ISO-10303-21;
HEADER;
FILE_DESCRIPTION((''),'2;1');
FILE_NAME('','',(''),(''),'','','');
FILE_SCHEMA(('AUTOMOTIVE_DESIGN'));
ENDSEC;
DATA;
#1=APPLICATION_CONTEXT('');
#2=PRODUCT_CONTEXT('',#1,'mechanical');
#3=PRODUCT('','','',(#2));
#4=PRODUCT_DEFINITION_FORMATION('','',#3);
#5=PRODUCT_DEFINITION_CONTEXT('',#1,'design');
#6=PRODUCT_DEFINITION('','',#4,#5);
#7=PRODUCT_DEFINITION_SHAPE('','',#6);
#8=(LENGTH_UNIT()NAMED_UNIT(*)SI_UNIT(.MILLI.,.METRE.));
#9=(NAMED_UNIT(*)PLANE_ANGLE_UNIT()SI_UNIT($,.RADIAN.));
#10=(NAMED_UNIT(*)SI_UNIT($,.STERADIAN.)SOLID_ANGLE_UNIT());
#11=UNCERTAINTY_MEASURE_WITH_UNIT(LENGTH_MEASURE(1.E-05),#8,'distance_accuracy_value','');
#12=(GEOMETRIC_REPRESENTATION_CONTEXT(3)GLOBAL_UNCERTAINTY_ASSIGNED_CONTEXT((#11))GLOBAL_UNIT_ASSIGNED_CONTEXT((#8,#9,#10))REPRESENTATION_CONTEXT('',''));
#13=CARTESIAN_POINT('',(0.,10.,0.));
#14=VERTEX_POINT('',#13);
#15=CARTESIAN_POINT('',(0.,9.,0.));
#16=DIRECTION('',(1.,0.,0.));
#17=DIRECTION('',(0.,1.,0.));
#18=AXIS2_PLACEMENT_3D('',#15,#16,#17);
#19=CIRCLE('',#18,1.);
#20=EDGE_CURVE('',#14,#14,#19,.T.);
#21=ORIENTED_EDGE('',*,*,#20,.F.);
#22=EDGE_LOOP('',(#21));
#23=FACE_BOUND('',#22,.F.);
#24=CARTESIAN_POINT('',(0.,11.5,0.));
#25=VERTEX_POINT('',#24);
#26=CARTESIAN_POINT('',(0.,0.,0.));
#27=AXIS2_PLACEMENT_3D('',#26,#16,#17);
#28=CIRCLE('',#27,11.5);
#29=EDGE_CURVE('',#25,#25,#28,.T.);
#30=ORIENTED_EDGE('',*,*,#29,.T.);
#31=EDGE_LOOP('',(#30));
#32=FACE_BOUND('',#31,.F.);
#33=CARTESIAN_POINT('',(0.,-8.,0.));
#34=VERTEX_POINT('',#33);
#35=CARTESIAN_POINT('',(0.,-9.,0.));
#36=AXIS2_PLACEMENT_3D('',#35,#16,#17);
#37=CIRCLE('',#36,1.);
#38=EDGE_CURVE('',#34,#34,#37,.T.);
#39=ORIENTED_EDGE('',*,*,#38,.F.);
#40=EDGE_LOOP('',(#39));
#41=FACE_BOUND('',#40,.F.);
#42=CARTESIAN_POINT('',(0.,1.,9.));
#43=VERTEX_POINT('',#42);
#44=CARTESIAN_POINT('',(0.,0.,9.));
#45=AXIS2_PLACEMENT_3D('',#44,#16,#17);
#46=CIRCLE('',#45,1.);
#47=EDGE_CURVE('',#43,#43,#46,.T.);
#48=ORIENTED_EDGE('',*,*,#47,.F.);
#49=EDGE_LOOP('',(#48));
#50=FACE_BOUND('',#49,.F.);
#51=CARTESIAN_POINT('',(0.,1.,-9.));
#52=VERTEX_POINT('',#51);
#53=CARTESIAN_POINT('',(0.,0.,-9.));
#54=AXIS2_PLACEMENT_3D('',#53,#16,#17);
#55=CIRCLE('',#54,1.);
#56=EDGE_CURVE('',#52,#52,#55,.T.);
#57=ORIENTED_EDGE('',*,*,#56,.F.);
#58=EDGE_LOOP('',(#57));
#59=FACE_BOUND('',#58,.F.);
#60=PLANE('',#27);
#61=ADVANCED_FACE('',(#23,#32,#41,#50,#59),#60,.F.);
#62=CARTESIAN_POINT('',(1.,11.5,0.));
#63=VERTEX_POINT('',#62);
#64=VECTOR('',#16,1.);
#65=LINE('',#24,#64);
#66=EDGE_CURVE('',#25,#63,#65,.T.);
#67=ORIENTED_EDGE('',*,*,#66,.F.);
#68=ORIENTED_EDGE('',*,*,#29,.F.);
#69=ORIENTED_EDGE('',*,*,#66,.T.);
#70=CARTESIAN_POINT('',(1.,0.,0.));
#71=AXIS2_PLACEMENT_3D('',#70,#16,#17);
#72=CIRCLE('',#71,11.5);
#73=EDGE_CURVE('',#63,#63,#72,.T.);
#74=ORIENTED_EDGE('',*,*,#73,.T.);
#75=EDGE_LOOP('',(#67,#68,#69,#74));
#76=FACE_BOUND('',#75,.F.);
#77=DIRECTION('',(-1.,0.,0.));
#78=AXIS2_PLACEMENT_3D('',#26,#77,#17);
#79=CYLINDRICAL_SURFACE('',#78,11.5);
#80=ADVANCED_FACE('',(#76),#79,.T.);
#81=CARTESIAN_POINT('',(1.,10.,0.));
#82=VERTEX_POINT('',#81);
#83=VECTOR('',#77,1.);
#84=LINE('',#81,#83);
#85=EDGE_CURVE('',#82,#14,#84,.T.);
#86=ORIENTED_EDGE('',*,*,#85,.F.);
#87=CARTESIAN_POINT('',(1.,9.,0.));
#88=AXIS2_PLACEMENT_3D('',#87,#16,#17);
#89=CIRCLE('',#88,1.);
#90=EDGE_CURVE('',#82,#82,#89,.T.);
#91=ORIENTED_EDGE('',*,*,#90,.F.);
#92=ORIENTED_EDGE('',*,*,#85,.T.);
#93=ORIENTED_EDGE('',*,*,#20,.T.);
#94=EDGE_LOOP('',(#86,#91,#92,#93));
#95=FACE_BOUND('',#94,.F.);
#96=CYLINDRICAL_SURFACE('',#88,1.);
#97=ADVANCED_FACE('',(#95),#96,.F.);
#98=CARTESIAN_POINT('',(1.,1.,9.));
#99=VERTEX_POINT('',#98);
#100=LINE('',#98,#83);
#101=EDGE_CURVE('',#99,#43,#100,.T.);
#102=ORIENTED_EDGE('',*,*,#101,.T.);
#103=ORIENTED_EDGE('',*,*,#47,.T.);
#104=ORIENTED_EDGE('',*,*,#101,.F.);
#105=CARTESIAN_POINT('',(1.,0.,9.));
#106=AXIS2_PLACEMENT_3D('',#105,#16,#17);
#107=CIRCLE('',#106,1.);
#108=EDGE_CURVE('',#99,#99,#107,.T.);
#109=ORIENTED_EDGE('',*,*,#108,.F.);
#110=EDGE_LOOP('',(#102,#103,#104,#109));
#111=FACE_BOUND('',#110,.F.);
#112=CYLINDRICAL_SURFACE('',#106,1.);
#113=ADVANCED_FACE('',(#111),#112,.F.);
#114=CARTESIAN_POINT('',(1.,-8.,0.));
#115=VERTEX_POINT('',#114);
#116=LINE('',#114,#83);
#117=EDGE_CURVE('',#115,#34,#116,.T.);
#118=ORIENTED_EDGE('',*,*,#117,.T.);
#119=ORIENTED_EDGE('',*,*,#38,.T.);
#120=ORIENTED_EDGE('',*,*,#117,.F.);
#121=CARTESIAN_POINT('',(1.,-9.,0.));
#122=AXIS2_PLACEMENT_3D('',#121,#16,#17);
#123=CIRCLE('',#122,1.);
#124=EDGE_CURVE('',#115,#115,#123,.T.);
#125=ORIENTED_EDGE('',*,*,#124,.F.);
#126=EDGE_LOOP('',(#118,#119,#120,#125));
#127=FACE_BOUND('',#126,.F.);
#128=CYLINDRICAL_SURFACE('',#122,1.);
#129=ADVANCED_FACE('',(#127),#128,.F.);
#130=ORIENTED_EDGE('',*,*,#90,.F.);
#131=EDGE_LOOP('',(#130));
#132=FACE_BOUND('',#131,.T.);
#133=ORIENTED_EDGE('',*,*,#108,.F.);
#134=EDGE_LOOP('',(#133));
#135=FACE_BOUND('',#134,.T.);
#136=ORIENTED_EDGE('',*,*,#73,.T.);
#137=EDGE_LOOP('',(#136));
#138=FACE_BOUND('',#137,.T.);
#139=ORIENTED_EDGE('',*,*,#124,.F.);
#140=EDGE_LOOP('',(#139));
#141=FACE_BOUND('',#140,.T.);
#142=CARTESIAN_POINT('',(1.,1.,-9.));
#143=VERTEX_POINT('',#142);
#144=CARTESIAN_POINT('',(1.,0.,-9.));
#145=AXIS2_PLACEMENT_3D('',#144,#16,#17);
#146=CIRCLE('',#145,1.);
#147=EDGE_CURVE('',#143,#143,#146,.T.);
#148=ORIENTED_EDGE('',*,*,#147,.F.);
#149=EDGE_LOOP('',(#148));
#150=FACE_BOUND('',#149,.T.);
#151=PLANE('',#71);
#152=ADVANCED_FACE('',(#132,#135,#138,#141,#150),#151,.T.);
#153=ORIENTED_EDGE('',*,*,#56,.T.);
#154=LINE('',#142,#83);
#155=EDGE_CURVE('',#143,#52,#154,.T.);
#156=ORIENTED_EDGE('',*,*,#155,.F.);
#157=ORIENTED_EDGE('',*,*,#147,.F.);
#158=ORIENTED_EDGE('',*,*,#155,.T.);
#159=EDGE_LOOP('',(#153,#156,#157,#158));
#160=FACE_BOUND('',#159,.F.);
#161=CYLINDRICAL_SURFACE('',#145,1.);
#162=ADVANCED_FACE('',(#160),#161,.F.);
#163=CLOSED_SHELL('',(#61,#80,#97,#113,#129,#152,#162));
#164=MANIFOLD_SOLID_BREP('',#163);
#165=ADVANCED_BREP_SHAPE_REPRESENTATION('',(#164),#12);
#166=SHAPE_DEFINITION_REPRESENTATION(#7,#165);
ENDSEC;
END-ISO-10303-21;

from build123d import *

# Parameters (mm, degrees)
F0_R     = 11.5
F1_DEPTH = 1
F2_R     = 1
F3_DEPTH = 1.001


with BuildPart() as f1:
    # F0 (on Right) → F1 (new body)
    with BuildSketch(Plane.YZ):
        Circle(F0_R)
    extrude(amount=F1_DEPTH)

    # F2 (on face) → F3 (cut, through all)
    with BuildSketch(Plane.YZ.offset(1)):
        with Locations((0, 9)):
            Circle(F2_R)
        with Locations((9, 0)):
            Circle(F2_R)
        with Locations((0, -9)):
            Circle(F2_R)
        with Locations((-9, 0)):
            Circle(F2_R)
    extrude(amount=-F3_DEPTH, mode=Mode.SUBTRACT)


solid = f1.part
